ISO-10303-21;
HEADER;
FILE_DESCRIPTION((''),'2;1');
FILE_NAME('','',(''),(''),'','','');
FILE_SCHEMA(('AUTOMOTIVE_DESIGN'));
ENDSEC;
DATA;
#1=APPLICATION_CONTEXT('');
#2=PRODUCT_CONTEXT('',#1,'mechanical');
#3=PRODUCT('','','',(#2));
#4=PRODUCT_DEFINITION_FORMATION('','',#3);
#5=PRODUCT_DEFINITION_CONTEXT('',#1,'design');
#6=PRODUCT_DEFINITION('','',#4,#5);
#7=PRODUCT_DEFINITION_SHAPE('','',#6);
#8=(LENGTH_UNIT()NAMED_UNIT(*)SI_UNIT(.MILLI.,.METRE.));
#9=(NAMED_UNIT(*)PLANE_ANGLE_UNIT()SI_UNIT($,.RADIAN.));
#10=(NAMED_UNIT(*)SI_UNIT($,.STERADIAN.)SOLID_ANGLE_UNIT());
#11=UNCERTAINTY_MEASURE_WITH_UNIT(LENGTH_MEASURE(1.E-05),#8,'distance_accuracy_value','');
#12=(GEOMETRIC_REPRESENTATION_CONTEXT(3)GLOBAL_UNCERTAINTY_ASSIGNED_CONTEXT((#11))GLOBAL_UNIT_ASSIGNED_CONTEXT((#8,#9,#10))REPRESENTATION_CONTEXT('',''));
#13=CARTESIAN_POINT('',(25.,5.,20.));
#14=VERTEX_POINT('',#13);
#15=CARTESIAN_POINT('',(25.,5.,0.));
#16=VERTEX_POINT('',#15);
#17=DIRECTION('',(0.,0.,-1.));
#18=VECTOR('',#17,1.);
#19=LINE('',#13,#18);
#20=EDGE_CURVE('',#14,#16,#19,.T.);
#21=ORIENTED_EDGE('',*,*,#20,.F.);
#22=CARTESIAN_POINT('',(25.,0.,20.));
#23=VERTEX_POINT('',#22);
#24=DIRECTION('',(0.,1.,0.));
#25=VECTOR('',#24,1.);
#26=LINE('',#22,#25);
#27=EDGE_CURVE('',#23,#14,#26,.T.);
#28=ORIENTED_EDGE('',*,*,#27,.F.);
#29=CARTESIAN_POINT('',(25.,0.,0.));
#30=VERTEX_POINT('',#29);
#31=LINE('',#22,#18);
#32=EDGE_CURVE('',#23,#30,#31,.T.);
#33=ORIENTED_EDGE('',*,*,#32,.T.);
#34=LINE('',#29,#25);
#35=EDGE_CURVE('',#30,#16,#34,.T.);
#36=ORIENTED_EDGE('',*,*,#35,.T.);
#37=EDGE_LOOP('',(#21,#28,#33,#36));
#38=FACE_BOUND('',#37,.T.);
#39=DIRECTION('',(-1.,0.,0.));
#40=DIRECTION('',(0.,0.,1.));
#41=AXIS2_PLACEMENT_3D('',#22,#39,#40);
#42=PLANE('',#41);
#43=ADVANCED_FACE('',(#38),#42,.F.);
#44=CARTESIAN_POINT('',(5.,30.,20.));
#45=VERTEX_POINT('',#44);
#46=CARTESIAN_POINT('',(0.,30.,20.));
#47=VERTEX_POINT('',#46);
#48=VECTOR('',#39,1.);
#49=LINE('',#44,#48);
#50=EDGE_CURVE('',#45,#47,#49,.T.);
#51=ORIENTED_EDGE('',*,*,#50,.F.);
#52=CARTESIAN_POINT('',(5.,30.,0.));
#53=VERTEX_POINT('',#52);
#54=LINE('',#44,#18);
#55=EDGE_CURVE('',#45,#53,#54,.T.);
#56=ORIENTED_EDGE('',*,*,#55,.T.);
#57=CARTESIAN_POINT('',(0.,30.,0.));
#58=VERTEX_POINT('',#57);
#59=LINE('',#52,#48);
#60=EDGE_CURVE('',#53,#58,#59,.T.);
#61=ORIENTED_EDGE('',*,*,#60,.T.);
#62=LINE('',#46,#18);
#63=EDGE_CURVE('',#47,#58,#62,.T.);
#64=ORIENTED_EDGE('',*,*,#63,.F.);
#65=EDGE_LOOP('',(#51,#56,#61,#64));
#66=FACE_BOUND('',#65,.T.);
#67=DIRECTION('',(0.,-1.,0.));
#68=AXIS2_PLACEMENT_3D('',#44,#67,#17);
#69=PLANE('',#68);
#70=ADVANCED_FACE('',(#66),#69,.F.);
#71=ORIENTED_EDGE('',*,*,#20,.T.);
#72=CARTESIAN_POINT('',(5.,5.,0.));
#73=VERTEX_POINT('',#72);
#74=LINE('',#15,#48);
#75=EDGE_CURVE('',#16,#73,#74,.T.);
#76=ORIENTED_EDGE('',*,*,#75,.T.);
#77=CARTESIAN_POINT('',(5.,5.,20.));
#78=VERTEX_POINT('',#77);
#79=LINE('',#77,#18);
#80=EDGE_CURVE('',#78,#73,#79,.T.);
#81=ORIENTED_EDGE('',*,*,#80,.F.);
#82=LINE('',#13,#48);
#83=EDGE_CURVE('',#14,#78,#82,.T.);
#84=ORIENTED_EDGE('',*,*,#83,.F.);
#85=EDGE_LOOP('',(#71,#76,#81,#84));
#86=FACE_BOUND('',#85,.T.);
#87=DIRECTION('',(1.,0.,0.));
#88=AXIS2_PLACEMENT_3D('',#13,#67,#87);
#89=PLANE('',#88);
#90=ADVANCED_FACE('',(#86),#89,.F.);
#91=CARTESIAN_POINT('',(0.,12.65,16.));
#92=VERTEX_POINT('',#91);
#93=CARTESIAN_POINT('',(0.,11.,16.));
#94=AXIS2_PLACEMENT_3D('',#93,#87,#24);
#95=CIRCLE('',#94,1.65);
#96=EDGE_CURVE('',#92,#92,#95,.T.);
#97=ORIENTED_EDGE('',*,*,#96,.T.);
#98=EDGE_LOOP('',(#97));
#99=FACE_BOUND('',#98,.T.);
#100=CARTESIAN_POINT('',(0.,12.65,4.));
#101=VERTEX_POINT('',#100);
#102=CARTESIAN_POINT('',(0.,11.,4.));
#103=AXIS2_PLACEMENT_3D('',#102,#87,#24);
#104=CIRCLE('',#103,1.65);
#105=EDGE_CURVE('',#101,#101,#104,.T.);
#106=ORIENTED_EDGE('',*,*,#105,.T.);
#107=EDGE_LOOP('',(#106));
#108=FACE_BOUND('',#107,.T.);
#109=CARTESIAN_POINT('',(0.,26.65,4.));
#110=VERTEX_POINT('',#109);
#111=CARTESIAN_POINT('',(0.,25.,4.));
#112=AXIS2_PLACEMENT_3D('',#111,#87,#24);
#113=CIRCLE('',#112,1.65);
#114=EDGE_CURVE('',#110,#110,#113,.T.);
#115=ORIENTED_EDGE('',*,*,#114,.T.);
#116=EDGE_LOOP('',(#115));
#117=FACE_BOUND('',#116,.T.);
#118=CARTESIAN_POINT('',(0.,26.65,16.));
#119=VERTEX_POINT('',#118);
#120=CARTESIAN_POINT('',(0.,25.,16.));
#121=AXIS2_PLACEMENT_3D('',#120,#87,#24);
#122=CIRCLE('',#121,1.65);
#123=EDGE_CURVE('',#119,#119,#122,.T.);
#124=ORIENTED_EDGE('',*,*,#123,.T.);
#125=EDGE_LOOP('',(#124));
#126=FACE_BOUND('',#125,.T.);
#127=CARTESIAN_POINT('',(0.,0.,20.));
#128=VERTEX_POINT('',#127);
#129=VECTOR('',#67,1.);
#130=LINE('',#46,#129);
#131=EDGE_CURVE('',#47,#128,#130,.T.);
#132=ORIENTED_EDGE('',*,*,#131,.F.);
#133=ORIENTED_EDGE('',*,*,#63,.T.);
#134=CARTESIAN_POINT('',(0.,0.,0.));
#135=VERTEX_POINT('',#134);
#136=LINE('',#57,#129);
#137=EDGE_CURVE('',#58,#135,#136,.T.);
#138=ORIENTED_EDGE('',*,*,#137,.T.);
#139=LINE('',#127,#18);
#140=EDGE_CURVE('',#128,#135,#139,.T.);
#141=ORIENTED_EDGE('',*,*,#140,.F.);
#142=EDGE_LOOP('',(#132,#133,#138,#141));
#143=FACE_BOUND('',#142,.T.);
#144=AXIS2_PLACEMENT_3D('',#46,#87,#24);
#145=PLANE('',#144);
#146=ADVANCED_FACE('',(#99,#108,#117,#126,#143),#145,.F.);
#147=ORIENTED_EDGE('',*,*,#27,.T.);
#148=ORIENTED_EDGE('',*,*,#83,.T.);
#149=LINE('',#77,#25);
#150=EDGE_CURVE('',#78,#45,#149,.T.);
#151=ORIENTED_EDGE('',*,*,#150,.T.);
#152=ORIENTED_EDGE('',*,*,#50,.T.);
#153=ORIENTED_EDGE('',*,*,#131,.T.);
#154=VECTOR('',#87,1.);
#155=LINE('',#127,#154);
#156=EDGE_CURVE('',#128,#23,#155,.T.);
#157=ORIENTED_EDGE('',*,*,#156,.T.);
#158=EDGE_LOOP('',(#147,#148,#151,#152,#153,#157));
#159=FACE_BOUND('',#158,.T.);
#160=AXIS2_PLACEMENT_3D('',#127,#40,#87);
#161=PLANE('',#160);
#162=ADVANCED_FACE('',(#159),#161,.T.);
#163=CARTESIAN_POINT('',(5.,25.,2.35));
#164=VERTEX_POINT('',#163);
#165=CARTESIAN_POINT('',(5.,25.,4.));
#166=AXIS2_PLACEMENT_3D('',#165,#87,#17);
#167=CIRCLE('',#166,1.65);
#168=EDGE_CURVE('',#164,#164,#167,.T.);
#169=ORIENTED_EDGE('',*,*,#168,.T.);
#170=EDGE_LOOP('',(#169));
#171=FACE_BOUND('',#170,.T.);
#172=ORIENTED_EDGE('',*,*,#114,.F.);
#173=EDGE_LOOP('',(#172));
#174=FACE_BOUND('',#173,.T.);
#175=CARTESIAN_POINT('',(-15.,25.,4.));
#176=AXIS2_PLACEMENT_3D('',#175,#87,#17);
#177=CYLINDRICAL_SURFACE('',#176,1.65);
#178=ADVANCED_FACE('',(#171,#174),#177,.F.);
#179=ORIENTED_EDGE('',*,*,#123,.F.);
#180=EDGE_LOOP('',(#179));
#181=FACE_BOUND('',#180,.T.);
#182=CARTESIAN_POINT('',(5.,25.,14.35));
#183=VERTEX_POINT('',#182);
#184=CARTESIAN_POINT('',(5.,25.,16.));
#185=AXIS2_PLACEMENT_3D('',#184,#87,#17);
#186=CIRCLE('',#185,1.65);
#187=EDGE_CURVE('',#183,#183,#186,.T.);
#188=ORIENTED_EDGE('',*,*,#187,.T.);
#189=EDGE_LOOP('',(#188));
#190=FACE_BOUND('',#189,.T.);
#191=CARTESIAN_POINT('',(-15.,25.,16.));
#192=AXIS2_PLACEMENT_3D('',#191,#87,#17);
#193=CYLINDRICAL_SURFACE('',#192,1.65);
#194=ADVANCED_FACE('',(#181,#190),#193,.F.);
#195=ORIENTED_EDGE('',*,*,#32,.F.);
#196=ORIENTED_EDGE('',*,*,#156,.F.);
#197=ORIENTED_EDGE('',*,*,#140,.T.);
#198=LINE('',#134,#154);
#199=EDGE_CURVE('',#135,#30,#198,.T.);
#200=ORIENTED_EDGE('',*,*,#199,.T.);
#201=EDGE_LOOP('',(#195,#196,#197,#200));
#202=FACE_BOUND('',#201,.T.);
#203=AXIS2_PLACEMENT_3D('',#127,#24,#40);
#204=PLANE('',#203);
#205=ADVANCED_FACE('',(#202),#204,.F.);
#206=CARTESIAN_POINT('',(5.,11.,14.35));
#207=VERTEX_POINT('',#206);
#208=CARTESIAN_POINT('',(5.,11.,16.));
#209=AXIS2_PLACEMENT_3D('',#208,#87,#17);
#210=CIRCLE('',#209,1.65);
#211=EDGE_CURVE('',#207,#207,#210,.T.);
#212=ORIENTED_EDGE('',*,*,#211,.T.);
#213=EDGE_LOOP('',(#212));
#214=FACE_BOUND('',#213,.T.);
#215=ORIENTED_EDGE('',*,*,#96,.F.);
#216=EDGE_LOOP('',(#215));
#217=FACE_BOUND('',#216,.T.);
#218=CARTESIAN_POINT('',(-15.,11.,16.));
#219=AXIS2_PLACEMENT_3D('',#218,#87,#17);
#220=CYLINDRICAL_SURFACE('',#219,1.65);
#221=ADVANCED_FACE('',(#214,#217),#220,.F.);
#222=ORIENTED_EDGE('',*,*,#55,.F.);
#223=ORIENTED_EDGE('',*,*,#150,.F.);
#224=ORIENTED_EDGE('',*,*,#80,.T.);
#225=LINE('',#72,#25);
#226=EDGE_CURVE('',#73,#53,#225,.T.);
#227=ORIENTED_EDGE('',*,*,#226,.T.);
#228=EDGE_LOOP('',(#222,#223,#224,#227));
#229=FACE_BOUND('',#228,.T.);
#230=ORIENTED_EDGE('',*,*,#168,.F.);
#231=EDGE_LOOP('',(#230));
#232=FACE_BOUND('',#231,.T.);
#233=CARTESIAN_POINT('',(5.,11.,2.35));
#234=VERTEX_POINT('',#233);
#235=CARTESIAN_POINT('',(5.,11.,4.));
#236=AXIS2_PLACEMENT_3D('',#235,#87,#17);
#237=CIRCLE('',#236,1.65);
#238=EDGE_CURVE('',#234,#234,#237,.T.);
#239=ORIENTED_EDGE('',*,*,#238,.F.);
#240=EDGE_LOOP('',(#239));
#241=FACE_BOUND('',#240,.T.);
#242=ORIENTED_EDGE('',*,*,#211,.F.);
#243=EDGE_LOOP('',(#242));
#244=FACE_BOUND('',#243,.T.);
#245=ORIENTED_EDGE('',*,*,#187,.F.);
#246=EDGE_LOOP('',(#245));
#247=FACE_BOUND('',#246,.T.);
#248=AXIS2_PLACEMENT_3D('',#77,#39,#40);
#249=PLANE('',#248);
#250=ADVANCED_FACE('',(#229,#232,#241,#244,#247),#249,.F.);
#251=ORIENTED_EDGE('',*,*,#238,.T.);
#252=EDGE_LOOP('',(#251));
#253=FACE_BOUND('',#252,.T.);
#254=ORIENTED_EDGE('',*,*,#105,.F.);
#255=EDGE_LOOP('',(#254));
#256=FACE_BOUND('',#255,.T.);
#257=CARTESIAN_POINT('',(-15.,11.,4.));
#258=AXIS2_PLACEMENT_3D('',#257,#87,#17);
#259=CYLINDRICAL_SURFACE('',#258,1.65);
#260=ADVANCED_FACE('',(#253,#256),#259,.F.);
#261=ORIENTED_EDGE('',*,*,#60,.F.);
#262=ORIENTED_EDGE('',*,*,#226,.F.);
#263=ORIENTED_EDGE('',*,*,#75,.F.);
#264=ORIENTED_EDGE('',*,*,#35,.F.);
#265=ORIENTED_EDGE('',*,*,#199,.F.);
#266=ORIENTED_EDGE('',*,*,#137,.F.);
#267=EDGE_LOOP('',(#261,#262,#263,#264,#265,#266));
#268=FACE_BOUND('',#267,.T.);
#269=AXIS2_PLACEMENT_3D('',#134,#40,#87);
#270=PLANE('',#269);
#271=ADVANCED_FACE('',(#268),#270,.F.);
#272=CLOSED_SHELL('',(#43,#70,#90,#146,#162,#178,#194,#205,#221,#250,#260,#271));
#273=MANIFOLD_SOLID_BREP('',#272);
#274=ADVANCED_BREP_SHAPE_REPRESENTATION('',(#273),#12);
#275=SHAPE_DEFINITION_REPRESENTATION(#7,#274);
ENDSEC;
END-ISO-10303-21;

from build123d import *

# Parameters (mm, degrees)
EXTRUDE_1_DEPTH     = 20
SKETCH_2_R          = 1.65
CUT_EXTRUDE_1_DEPTH = 20


with BuildPart() as part:
    # 草图1 → 凸台-拉伸1 (new body)
    with BuildSketch(Plane.XY):
        Polygon((0, 30), (0, 0), (25, 0), (25, 5), (5, 5), (5, 30), align=None)
    extrude(amount=EXTRUDE_1_DEPTH)

    # 草图2 → 切除-拉伸1 (cut)
    with BuildSketch(Plane(origin=(5, 0, 0), x_dir=(0, 0, -1), z_dir=(1, 0, 0))):
        with Locations((-16, 25)):
            Circle(SKETCH_2_R)
        with Locations((-4, 25)):
            Circle(SKETCH_2_R)
        with Locations((-4, 11)):
            Circle(SKETCH_2_R)
        with Locations((-16, 11)):
            Circle(SKETCH_2_R)
    extrude(amount=-CUT_EXTRUDE_1_DEPTH, mode=Mode.SUBTRACT)


solid = part.part
